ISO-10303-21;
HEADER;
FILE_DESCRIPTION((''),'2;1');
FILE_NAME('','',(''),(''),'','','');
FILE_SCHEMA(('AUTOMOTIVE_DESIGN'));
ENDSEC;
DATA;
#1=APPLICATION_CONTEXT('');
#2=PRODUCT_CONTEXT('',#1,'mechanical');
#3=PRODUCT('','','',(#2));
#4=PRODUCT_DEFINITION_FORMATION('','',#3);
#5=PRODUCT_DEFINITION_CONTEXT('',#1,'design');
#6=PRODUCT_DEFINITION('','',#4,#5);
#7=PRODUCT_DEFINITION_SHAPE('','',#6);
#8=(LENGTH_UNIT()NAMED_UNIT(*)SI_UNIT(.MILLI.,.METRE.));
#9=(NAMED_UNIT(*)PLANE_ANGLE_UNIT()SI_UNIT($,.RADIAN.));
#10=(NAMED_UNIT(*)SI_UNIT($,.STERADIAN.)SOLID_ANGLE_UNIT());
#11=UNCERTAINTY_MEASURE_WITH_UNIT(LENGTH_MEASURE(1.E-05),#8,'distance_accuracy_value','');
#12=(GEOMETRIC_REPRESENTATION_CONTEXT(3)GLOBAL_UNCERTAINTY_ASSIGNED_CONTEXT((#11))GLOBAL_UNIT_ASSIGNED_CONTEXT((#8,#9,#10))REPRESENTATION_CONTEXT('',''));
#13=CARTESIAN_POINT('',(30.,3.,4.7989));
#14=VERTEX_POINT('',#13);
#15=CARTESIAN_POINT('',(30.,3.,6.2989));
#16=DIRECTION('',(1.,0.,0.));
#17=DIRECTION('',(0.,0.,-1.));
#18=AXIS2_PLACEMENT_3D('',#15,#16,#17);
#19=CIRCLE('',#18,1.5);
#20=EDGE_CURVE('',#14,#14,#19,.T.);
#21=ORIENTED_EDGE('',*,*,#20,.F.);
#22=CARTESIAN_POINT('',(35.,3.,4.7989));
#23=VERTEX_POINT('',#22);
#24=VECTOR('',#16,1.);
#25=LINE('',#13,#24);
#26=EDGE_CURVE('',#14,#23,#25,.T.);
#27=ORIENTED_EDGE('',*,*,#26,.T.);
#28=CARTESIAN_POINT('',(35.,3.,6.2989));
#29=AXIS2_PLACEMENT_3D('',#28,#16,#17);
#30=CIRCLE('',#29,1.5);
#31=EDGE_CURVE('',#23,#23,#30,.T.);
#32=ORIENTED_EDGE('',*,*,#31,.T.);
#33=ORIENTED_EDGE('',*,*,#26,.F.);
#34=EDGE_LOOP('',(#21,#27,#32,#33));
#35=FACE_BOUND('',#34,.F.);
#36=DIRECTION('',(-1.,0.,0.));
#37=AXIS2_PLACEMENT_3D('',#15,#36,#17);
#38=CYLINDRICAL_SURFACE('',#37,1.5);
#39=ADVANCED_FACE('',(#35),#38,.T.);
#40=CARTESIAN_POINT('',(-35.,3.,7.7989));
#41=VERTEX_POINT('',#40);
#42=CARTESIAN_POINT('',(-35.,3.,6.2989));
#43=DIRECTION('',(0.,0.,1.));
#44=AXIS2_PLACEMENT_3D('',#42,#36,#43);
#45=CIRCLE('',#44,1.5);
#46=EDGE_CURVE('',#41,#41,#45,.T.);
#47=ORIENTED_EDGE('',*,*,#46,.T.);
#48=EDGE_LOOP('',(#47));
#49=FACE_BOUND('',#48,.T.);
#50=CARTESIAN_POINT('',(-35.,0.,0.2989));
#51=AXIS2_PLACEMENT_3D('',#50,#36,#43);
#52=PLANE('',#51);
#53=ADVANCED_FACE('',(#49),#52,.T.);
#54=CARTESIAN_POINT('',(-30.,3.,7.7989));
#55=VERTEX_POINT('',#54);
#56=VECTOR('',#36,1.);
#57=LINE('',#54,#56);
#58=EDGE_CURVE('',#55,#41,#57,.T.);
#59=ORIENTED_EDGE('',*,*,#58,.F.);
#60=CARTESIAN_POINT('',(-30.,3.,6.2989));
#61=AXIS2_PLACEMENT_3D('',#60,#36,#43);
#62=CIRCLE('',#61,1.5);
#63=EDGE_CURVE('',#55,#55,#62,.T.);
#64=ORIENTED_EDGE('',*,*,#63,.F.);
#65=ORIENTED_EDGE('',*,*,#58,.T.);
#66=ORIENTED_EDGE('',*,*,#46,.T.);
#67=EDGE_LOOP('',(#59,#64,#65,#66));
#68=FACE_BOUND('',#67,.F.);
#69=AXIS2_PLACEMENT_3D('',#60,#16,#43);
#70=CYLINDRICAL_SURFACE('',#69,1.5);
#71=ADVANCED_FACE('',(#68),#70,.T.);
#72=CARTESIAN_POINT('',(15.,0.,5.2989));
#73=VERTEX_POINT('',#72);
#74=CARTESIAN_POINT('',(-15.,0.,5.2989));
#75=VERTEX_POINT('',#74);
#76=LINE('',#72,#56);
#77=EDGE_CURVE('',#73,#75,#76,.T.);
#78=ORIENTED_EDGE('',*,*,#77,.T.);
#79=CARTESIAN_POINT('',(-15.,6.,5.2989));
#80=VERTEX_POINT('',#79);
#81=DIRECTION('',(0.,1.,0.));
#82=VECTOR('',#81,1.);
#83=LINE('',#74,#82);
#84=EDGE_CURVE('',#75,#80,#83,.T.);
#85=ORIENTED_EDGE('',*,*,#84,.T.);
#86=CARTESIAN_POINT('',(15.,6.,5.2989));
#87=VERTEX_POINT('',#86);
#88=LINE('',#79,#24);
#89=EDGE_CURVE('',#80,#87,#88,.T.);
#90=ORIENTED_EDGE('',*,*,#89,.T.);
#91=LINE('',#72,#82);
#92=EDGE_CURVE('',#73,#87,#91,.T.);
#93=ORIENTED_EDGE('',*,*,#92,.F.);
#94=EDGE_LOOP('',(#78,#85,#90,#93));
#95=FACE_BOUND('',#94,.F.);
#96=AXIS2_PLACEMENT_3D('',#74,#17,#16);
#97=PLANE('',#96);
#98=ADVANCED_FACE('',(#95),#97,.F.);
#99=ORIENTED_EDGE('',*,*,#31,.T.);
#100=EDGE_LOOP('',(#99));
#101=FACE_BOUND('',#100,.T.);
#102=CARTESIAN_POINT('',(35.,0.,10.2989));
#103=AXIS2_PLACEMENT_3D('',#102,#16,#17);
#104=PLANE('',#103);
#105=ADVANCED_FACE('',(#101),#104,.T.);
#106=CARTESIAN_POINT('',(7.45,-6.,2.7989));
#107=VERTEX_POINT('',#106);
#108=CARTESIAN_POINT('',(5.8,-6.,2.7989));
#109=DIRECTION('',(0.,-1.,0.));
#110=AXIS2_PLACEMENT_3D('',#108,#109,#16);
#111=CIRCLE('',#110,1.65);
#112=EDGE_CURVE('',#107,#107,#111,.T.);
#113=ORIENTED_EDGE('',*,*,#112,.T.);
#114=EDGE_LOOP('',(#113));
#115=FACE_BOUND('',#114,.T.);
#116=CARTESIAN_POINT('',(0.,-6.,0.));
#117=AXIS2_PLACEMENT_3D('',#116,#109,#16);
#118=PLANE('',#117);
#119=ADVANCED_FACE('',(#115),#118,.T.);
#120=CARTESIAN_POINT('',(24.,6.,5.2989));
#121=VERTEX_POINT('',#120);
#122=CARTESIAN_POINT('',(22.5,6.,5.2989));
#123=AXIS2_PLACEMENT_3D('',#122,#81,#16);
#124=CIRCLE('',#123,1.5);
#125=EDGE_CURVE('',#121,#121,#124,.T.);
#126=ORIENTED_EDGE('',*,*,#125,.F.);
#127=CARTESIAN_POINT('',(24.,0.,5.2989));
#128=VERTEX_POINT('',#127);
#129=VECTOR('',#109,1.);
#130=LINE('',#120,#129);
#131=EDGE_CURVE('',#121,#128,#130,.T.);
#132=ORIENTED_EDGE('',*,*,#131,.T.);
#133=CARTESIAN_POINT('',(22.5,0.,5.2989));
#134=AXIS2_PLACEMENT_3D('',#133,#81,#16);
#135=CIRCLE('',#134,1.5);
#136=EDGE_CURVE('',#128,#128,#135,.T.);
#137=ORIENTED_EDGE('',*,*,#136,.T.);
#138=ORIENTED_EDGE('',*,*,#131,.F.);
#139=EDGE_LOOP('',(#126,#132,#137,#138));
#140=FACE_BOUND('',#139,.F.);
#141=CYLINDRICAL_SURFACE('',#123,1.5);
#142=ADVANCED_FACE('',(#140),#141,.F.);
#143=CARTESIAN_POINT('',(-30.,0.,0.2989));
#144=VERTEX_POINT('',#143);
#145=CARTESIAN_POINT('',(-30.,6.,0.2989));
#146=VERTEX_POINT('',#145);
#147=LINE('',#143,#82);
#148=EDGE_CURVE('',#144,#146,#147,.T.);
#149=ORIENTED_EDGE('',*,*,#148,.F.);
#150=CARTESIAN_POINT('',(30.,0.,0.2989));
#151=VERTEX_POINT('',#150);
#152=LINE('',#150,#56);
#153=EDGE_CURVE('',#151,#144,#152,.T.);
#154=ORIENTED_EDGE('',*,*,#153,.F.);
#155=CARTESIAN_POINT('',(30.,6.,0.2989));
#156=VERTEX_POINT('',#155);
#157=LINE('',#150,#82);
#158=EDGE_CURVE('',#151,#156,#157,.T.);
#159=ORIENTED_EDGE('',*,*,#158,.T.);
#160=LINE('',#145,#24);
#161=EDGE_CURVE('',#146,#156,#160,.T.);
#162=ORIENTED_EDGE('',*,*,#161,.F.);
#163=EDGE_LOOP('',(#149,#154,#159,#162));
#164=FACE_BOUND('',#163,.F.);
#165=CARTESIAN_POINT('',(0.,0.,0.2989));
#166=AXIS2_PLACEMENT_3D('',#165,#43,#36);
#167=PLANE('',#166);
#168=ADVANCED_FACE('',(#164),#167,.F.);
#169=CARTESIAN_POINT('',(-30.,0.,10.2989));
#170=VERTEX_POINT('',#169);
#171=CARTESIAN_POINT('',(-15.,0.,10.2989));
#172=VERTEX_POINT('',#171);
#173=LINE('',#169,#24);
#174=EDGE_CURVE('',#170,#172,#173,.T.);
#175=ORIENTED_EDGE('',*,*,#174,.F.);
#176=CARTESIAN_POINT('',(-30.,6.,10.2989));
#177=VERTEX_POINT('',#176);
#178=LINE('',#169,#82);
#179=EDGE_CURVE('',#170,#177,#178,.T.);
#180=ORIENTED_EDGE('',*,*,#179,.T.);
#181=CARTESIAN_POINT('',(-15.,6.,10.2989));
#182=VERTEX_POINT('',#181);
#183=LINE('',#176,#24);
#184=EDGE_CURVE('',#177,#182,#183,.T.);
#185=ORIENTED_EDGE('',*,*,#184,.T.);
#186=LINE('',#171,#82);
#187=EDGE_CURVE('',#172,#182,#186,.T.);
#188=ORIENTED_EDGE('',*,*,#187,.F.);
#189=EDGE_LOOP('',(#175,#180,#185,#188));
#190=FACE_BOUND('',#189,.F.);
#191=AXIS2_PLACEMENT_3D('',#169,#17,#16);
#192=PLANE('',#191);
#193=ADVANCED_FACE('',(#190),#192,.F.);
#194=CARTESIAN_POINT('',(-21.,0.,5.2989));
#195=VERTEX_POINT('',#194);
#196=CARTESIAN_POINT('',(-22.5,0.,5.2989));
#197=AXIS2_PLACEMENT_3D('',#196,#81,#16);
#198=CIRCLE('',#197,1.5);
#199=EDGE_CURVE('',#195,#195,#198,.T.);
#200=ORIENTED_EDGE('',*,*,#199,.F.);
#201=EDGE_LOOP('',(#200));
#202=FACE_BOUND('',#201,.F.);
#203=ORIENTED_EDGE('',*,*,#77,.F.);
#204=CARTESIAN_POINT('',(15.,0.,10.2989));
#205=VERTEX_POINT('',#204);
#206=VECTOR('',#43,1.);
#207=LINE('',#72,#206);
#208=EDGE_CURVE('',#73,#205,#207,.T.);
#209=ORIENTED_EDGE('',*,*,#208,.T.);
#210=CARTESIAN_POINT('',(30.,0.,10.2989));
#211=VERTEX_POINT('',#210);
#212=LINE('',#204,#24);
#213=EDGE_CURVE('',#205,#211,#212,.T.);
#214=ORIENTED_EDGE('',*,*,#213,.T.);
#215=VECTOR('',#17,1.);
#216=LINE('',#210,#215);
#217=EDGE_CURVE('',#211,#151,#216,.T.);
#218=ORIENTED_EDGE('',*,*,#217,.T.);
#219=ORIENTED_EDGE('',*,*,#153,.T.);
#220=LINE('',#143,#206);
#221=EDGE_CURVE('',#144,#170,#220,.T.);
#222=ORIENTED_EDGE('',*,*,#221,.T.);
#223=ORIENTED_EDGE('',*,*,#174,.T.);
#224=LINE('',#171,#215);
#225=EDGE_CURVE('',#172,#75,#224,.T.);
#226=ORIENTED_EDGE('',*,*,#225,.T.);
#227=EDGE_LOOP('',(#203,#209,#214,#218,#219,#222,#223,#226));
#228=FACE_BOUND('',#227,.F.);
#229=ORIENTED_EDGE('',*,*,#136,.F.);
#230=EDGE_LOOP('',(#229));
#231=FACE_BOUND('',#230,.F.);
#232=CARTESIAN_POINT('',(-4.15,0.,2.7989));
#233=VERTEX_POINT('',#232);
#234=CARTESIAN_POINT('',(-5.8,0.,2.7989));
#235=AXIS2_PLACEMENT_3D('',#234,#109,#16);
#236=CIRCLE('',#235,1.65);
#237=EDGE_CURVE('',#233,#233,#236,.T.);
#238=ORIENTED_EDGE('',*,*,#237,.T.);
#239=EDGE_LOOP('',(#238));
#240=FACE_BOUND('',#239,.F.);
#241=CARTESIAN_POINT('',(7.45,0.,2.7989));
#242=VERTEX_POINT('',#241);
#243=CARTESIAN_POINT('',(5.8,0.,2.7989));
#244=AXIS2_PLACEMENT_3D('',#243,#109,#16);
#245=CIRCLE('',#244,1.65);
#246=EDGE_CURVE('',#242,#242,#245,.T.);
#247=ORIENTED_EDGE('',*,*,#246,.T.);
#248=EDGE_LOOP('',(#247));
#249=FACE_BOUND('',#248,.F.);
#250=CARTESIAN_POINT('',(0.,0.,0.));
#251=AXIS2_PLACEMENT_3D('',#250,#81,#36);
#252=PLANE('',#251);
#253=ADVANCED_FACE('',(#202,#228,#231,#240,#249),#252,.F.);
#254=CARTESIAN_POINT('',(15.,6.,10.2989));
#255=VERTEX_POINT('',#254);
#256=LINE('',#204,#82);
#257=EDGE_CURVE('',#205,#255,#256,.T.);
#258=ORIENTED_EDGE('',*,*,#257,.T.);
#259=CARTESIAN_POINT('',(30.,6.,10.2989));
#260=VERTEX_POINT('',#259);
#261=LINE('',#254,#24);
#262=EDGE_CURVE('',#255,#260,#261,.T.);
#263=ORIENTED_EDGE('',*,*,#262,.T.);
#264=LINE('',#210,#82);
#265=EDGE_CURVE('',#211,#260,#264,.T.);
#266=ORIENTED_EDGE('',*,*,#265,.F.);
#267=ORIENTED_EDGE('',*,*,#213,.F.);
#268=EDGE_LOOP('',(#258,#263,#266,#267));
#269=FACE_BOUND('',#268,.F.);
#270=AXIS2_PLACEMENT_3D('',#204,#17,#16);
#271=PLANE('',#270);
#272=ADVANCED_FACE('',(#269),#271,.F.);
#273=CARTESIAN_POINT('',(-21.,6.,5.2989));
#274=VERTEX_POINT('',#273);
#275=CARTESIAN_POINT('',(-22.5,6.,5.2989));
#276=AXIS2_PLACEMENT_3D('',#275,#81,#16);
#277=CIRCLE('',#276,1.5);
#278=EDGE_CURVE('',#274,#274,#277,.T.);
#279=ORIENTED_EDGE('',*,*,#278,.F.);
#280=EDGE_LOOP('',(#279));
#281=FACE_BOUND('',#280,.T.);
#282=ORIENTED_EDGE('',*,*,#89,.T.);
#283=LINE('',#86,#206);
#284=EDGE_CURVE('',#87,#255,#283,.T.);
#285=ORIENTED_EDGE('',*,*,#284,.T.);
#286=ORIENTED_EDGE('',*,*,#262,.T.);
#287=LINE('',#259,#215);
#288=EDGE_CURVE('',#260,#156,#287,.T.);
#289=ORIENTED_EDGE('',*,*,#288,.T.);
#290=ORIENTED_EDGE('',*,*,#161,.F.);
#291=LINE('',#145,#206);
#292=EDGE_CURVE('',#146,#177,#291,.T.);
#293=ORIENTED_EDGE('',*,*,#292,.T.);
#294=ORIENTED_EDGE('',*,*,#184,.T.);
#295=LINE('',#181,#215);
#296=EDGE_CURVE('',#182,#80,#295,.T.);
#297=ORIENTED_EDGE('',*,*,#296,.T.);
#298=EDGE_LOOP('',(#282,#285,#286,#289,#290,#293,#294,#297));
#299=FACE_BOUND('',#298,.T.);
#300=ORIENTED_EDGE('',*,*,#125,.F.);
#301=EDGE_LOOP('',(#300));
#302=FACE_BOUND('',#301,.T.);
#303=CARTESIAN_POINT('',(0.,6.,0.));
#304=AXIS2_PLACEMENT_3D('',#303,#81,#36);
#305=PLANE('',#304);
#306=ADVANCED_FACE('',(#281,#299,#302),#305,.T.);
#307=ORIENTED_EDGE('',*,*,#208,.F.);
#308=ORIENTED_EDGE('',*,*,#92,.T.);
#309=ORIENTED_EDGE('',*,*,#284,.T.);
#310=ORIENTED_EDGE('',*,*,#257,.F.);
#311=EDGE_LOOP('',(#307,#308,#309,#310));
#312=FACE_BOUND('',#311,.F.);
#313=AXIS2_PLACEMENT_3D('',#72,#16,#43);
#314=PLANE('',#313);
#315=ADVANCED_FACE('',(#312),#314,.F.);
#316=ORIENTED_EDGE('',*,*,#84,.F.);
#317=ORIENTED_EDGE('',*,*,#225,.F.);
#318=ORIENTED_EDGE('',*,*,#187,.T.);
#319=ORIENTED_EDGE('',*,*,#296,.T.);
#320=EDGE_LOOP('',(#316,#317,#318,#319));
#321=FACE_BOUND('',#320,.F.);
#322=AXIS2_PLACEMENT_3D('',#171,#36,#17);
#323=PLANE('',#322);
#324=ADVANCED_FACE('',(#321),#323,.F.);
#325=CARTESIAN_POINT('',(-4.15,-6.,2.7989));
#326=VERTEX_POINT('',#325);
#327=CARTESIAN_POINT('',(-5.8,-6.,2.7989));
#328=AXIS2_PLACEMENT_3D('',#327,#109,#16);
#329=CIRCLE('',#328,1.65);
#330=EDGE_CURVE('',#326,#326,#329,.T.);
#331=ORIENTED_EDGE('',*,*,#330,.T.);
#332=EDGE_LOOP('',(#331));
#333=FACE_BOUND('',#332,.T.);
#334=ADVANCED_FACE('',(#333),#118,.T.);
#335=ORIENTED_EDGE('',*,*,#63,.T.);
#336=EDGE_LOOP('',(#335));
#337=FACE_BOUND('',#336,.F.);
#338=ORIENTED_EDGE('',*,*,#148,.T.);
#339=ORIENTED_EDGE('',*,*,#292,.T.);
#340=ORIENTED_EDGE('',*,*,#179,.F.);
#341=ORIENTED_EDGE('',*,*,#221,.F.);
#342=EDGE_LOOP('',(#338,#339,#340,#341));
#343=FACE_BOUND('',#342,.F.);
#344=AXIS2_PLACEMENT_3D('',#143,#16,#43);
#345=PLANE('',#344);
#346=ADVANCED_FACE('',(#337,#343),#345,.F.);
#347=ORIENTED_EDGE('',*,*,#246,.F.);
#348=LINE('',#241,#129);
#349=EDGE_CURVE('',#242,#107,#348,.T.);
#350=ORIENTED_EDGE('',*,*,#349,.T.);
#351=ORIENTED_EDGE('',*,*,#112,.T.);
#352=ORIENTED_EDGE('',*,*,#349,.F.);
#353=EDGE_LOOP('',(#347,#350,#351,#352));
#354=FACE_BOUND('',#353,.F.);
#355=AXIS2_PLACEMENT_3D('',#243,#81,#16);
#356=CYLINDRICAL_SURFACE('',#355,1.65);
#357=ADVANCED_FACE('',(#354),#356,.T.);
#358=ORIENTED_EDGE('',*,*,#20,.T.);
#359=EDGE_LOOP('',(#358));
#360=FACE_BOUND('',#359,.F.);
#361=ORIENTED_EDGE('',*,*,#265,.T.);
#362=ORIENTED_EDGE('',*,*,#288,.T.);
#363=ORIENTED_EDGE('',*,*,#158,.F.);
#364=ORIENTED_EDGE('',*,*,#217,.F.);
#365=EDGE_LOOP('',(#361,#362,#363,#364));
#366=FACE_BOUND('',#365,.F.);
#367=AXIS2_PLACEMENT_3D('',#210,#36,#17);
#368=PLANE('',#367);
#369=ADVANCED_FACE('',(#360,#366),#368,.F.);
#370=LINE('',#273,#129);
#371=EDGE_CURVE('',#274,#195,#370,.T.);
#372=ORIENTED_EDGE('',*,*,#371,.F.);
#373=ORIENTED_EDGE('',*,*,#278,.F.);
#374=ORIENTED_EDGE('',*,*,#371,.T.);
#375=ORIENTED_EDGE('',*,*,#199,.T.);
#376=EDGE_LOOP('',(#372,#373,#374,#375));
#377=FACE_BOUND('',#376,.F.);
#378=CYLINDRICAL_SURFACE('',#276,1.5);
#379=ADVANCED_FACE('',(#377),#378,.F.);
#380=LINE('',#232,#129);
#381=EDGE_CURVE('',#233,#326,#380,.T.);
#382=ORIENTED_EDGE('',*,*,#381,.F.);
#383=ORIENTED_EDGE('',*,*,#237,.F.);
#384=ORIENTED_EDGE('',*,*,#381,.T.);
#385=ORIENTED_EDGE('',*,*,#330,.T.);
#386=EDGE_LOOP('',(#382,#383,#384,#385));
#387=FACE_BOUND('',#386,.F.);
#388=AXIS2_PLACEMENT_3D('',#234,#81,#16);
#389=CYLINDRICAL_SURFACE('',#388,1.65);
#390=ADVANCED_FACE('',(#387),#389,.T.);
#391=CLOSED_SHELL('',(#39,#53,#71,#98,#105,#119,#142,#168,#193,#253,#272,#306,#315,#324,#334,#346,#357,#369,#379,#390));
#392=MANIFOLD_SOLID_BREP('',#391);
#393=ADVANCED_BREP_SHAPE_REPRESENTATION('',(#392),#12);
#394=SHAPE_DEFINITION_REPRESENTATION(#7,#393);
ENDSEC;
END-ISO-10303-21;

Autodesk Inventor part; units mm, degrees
ref_plane "YZ Plane" through (0, 0, 0) normal (1, 0, 0) x (0, 1, 0)
ref_plane "XZ Plane" through (0, 0, 0) normal (0, 1, 0) x (-1, 0, 0)
ref_plane "XY Plane" through (0, 0, 0) normal (0, 0, 1) x (1, 0, 0)
sketch "Skizze1" plane through (0, 0, 0) normal (0, 1, 0) x (-1, 0, 0)
  line L0 (30, 0.2989) -> (30, 10.2989)
  line L1 (30, 10.2989) -> (15, 10.2989)
  line L2 (15, 10.2989) -> (15, 5.2989)
  line L3 (15, 5.2989) -> (-15, 5.2989)
  line L4 (-15, 5.2989) -> (-15, 10.2989)
  line L5 (-15, 10.2989) -> (-30, 10.2989)
  line L6 (-30, 10.2989) -> (-30, 0.2989)
  line L7 (-30, 0.2989) -> (30, 0.2989)
  line L8 (0, -2.0598) -> (0, 12.3587) projected
  point P0 (0, 0)
  dimension "d0" = 30
  dimension "d1" = 5
  dimension "d2" = 15
  dimension "d3" = 15
  dimension "d4" = 15
  dimension "d5" = 5
extrude "Extrusion1" add sketch "Skizze1" along normal blind 6
sketch "Skizze2" plane through (30, 0, 10.2989) normal (1, 0, 0) x (0, 0, -1)
  circle A0 centre (4, 3) radius 1.5
  line L0 (0, 0) -> (0, 6) projected
  line L1 (0, 6) -> (10, 6) projected
  point P0 (10.2989, 0)
  dimension "d8" = 3
  dimension "d9" = 4
  dimension "d10" = 3
extrude "Extrusion2" add sketch "Skizze2" along normal blind 5
sketch "Skizze4" plane through (-30, 0, 0.2989) normal (-1, 0, 0) x (0, 0, 1)
  circle A0 centre (6, 3) radius 1.5 projected
  circle A1 centre (6, 3) radius 1.5
  line L0 (10, 0) -> (10, 6) projected
  line L1 (0, 0) -> (10, 0) projected
  point P0 (-0.2989, 0)
  dimension "d21" = 4
  dimension "d22" = 3
extrude "Extrusion4" add sketch "Skizze4" along normal blind 5
sketch "Skizze5" plane through (0, 6, 0) normal (0, 1, 0) x (1, 0, 0)
  circle A0 centre (-22.5, -5.2989) radius 1.5
  circle A1 centre (22.5, -5.2989) radius 1.5
  line L0 (-30, -10.2989) -> (-15, -10.2989) projected
  line L1 (-30, -0.2989) -> (-30, -10.2989) projected
  line L2 (30, -10.2989) -> (30, -0.2989) projected
  line L3 (15, -10.2989) -> (30, -10.2989) projected
  point P0 (0, 0)
  dimension "d25" = 5
  dimension "d26" = 7.5
  dimension "d27" = 7.5
  dimension "d28" = 5
  dimension "d29" = 3
  dimension "d30" = 3
extrude "Extrusion5" cut sketch "Skizze5" against normal blind 6
sketch "Skizze6" plane through (0, 0, 0) normal (0, -1, 0) x (1, 0, 0)
  circle A0 centre (-5.8, 2.7989) radius 1.65
  circle A1 centre (5.8, 2.7989) radius 1.65
  line L0 (-30, 0.2989) -> (-30, 10.2989) projected
  line L1 (-30, 10.2989) -> (-15, 10.2989) projected
  line L2 (15, 10.2989) -> (30, 10.2989) projected
  line L3 (30, 10.2989) -> (30, 0.2989) projected
  point P0 (0, 0)
  dimension "d33" = 3.3
  dimension "d34" = 3.3
  dimension "d36" = 7.5
  dimension "d37" = 7.5
  dimension "d41" = 5.8
  dimension "d42" = 5.8
extrude "Extrusion6" add sketch "Skizze6" along normal blind 6
equation "\"d2\" = 0.5 * d0"
properties part number "Fuehrungslagerhalter_v1"
